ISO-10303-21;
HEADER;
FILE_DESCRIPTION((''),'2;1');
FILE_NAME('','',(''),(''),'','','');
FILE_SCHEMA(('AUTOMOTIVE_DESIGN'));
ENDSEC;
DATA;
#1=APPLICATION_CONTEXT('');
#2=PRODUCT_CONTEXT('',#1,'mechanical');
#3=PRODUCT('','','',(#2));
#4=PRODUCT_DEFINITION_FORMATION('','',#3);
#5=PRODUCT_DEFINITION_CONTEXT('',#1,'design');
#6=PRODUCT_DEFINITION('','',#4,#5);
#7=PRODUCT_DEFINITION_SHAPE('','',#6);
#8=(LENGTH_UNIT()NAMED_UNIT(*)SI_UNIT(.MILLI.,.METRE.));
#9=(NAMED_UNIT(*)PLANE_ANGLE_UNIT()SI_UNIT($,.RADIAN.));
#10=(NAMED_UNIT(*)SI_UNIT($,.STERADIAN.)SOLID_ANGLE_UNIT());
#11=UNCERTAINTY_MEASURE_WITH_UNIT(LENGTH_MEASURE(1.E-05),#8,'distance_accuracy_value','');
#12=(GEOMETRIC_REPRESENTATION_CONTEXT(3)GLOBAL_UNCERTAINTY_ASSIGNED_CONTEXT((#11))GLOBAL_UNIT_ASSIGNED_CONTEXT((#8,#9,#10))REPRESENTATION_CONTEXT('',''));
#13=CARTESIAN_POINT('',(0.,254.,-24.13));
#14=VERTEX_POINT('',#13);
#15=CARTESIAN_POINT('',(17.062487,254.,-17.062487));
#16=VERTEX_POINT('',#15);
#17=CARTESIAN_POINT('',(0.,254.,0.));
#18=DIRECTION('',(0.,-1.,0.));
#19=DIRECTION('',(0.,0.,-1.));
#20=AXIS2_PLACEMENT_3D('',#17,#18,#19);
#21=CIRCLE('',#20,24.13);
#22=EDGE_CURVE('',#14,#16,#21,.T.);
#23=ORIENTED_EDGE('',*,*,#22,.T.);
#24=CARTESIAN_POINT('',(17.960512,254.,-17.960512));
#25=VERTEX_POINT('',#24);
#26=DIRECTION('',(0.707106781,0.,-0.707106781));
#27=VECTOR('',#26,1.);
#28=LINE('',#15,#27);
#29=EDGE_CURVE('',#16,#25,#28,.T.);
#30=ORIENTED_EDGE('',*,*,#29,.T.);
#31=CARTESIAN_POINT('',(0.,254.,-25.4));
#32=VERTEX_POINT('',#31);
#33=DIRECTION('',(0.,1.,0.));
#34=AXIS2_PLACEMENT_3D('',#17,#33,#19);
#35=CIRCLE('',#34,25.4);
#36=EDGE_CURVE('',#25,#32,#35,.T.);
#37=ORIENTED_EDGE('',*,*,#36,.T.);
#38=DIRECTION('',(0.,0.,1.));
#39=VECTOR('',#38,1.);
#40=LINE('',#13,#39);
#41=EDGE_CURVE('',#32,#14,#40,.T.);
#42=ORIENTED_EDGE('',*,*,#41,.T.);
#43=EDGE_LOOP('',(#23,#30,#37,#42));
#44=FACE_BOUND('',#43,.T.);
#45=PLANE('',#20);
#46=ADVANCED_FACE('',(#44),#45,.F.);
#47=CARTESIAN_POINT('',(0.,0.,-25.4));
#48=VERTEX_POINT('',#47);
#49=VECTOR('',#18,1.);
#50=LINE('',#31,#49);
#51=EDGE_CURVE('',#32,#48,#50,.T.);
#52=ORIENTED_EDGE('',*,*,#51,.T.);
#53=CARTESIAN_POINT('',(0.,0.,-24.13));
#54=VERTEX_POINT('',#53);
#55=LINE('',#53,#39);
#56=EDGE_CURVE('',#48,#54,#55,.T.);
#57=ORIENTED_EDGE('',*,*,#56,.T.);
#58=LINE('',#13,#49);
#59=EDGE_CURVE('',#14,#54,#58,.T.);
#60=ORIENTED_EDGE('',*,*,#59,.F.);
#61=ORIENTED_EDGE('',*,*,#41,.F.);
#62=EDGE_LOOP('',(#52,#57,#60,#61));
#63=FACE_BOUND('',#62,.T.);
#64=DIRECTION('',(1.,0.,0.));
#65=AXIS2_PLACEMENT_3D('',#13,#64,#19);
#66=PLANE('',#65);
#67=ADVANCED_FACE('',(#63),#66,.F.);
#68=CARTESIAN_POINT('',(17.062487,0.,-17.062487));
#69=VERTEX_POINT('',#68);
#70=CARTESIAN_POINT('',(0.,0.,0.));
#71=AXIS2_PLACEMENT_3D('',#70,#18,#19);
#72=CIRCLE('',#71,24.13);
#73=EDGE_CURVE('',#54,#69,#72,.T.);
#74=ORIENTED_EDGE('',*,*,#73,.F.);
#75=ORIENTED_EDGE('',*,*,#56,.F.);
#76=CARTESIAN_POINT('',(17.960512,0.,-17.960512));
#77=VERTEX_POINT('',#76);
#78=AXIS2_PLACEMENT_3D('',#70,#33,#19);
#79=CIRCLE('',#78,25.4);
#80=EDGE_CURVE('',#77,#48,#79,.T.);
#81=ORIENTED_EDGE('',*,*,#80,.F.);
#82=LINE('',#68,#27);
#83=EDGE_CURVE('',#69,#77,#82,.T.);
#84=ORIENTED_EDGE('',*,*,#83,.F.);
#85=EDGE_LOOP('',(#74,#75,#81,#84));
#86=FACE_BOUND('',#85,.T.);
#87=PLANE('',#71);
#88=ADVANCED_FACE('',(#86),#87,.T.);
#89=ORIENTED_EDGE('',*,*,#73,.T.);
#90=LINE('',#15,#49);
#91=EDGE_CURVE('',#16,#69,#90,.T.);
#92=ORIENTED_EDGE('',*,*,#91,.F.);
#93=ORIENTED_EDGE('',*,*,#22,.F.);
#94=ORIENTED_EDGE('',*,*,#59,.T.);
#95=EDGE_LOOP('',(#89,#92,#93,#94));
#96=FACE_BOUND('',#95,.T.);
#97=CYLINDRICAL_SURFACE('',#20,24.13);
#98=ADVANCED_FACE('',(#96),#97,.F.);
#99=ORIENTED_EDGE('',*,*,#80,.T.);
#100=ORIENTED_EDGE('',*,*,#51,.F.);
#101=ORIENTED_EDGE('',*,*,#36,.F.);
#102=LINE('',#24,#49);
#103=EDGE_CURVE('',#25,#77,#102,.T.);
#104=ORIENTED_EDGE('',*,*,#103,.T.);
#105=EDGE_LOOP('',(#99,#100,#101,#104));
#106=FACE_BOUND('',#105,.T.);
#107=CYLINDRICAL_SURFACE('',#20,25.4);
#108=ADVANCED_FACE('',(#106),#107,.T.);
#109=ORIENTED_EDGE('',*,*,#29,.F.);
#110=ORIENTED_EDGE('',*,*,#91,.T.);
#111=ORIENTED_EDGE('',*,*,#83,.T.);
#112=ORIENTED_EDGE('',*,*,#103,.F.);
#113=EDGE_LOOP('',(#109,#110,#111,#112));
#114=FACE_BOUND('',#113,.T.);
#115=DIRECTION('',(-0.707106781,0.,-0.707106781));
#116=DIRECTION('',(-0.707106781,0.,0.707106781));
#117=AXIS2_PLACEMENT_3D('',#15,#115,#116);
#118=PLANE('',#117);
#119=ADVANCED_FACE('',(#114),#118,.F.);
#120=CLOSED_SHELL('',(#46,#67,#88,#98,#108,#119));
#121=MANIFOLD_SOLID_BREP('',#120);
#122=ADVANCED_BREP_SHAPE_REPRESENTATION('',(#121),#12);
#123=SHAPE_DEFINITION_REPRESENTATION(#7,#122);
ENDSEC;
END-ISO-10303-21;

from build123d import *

# Parameters (mm, degrees)
BOSS_EXTRUDE2_DEPTH = 254


with BuildPart() as part:
    # Sketch1 → Boss-Extrude2 (new body)
    with BuildSketch(Plane(origin=(0, 0, 0), x_dir=(1, 0, 0), z_dir=(0, 1, 0))):
        with BuildLine():
            Line((0, 24.13), (0, 25.4))
            ThreePointArc((0, 25.4), (9.720159182, 23.466540126), (17.960512242, 17.960512242))
            Line((17.960512242, 17.960512242), (17.06248663, 17.06248663))
            ThreePointArc((17.06248663, 17.06248663), (9.234151223, 22.293213119), (0, 24.13))
        make_face()
    extrude(amount=BOSS_EXTRUDE2_DEPTH)


solid = part.part
